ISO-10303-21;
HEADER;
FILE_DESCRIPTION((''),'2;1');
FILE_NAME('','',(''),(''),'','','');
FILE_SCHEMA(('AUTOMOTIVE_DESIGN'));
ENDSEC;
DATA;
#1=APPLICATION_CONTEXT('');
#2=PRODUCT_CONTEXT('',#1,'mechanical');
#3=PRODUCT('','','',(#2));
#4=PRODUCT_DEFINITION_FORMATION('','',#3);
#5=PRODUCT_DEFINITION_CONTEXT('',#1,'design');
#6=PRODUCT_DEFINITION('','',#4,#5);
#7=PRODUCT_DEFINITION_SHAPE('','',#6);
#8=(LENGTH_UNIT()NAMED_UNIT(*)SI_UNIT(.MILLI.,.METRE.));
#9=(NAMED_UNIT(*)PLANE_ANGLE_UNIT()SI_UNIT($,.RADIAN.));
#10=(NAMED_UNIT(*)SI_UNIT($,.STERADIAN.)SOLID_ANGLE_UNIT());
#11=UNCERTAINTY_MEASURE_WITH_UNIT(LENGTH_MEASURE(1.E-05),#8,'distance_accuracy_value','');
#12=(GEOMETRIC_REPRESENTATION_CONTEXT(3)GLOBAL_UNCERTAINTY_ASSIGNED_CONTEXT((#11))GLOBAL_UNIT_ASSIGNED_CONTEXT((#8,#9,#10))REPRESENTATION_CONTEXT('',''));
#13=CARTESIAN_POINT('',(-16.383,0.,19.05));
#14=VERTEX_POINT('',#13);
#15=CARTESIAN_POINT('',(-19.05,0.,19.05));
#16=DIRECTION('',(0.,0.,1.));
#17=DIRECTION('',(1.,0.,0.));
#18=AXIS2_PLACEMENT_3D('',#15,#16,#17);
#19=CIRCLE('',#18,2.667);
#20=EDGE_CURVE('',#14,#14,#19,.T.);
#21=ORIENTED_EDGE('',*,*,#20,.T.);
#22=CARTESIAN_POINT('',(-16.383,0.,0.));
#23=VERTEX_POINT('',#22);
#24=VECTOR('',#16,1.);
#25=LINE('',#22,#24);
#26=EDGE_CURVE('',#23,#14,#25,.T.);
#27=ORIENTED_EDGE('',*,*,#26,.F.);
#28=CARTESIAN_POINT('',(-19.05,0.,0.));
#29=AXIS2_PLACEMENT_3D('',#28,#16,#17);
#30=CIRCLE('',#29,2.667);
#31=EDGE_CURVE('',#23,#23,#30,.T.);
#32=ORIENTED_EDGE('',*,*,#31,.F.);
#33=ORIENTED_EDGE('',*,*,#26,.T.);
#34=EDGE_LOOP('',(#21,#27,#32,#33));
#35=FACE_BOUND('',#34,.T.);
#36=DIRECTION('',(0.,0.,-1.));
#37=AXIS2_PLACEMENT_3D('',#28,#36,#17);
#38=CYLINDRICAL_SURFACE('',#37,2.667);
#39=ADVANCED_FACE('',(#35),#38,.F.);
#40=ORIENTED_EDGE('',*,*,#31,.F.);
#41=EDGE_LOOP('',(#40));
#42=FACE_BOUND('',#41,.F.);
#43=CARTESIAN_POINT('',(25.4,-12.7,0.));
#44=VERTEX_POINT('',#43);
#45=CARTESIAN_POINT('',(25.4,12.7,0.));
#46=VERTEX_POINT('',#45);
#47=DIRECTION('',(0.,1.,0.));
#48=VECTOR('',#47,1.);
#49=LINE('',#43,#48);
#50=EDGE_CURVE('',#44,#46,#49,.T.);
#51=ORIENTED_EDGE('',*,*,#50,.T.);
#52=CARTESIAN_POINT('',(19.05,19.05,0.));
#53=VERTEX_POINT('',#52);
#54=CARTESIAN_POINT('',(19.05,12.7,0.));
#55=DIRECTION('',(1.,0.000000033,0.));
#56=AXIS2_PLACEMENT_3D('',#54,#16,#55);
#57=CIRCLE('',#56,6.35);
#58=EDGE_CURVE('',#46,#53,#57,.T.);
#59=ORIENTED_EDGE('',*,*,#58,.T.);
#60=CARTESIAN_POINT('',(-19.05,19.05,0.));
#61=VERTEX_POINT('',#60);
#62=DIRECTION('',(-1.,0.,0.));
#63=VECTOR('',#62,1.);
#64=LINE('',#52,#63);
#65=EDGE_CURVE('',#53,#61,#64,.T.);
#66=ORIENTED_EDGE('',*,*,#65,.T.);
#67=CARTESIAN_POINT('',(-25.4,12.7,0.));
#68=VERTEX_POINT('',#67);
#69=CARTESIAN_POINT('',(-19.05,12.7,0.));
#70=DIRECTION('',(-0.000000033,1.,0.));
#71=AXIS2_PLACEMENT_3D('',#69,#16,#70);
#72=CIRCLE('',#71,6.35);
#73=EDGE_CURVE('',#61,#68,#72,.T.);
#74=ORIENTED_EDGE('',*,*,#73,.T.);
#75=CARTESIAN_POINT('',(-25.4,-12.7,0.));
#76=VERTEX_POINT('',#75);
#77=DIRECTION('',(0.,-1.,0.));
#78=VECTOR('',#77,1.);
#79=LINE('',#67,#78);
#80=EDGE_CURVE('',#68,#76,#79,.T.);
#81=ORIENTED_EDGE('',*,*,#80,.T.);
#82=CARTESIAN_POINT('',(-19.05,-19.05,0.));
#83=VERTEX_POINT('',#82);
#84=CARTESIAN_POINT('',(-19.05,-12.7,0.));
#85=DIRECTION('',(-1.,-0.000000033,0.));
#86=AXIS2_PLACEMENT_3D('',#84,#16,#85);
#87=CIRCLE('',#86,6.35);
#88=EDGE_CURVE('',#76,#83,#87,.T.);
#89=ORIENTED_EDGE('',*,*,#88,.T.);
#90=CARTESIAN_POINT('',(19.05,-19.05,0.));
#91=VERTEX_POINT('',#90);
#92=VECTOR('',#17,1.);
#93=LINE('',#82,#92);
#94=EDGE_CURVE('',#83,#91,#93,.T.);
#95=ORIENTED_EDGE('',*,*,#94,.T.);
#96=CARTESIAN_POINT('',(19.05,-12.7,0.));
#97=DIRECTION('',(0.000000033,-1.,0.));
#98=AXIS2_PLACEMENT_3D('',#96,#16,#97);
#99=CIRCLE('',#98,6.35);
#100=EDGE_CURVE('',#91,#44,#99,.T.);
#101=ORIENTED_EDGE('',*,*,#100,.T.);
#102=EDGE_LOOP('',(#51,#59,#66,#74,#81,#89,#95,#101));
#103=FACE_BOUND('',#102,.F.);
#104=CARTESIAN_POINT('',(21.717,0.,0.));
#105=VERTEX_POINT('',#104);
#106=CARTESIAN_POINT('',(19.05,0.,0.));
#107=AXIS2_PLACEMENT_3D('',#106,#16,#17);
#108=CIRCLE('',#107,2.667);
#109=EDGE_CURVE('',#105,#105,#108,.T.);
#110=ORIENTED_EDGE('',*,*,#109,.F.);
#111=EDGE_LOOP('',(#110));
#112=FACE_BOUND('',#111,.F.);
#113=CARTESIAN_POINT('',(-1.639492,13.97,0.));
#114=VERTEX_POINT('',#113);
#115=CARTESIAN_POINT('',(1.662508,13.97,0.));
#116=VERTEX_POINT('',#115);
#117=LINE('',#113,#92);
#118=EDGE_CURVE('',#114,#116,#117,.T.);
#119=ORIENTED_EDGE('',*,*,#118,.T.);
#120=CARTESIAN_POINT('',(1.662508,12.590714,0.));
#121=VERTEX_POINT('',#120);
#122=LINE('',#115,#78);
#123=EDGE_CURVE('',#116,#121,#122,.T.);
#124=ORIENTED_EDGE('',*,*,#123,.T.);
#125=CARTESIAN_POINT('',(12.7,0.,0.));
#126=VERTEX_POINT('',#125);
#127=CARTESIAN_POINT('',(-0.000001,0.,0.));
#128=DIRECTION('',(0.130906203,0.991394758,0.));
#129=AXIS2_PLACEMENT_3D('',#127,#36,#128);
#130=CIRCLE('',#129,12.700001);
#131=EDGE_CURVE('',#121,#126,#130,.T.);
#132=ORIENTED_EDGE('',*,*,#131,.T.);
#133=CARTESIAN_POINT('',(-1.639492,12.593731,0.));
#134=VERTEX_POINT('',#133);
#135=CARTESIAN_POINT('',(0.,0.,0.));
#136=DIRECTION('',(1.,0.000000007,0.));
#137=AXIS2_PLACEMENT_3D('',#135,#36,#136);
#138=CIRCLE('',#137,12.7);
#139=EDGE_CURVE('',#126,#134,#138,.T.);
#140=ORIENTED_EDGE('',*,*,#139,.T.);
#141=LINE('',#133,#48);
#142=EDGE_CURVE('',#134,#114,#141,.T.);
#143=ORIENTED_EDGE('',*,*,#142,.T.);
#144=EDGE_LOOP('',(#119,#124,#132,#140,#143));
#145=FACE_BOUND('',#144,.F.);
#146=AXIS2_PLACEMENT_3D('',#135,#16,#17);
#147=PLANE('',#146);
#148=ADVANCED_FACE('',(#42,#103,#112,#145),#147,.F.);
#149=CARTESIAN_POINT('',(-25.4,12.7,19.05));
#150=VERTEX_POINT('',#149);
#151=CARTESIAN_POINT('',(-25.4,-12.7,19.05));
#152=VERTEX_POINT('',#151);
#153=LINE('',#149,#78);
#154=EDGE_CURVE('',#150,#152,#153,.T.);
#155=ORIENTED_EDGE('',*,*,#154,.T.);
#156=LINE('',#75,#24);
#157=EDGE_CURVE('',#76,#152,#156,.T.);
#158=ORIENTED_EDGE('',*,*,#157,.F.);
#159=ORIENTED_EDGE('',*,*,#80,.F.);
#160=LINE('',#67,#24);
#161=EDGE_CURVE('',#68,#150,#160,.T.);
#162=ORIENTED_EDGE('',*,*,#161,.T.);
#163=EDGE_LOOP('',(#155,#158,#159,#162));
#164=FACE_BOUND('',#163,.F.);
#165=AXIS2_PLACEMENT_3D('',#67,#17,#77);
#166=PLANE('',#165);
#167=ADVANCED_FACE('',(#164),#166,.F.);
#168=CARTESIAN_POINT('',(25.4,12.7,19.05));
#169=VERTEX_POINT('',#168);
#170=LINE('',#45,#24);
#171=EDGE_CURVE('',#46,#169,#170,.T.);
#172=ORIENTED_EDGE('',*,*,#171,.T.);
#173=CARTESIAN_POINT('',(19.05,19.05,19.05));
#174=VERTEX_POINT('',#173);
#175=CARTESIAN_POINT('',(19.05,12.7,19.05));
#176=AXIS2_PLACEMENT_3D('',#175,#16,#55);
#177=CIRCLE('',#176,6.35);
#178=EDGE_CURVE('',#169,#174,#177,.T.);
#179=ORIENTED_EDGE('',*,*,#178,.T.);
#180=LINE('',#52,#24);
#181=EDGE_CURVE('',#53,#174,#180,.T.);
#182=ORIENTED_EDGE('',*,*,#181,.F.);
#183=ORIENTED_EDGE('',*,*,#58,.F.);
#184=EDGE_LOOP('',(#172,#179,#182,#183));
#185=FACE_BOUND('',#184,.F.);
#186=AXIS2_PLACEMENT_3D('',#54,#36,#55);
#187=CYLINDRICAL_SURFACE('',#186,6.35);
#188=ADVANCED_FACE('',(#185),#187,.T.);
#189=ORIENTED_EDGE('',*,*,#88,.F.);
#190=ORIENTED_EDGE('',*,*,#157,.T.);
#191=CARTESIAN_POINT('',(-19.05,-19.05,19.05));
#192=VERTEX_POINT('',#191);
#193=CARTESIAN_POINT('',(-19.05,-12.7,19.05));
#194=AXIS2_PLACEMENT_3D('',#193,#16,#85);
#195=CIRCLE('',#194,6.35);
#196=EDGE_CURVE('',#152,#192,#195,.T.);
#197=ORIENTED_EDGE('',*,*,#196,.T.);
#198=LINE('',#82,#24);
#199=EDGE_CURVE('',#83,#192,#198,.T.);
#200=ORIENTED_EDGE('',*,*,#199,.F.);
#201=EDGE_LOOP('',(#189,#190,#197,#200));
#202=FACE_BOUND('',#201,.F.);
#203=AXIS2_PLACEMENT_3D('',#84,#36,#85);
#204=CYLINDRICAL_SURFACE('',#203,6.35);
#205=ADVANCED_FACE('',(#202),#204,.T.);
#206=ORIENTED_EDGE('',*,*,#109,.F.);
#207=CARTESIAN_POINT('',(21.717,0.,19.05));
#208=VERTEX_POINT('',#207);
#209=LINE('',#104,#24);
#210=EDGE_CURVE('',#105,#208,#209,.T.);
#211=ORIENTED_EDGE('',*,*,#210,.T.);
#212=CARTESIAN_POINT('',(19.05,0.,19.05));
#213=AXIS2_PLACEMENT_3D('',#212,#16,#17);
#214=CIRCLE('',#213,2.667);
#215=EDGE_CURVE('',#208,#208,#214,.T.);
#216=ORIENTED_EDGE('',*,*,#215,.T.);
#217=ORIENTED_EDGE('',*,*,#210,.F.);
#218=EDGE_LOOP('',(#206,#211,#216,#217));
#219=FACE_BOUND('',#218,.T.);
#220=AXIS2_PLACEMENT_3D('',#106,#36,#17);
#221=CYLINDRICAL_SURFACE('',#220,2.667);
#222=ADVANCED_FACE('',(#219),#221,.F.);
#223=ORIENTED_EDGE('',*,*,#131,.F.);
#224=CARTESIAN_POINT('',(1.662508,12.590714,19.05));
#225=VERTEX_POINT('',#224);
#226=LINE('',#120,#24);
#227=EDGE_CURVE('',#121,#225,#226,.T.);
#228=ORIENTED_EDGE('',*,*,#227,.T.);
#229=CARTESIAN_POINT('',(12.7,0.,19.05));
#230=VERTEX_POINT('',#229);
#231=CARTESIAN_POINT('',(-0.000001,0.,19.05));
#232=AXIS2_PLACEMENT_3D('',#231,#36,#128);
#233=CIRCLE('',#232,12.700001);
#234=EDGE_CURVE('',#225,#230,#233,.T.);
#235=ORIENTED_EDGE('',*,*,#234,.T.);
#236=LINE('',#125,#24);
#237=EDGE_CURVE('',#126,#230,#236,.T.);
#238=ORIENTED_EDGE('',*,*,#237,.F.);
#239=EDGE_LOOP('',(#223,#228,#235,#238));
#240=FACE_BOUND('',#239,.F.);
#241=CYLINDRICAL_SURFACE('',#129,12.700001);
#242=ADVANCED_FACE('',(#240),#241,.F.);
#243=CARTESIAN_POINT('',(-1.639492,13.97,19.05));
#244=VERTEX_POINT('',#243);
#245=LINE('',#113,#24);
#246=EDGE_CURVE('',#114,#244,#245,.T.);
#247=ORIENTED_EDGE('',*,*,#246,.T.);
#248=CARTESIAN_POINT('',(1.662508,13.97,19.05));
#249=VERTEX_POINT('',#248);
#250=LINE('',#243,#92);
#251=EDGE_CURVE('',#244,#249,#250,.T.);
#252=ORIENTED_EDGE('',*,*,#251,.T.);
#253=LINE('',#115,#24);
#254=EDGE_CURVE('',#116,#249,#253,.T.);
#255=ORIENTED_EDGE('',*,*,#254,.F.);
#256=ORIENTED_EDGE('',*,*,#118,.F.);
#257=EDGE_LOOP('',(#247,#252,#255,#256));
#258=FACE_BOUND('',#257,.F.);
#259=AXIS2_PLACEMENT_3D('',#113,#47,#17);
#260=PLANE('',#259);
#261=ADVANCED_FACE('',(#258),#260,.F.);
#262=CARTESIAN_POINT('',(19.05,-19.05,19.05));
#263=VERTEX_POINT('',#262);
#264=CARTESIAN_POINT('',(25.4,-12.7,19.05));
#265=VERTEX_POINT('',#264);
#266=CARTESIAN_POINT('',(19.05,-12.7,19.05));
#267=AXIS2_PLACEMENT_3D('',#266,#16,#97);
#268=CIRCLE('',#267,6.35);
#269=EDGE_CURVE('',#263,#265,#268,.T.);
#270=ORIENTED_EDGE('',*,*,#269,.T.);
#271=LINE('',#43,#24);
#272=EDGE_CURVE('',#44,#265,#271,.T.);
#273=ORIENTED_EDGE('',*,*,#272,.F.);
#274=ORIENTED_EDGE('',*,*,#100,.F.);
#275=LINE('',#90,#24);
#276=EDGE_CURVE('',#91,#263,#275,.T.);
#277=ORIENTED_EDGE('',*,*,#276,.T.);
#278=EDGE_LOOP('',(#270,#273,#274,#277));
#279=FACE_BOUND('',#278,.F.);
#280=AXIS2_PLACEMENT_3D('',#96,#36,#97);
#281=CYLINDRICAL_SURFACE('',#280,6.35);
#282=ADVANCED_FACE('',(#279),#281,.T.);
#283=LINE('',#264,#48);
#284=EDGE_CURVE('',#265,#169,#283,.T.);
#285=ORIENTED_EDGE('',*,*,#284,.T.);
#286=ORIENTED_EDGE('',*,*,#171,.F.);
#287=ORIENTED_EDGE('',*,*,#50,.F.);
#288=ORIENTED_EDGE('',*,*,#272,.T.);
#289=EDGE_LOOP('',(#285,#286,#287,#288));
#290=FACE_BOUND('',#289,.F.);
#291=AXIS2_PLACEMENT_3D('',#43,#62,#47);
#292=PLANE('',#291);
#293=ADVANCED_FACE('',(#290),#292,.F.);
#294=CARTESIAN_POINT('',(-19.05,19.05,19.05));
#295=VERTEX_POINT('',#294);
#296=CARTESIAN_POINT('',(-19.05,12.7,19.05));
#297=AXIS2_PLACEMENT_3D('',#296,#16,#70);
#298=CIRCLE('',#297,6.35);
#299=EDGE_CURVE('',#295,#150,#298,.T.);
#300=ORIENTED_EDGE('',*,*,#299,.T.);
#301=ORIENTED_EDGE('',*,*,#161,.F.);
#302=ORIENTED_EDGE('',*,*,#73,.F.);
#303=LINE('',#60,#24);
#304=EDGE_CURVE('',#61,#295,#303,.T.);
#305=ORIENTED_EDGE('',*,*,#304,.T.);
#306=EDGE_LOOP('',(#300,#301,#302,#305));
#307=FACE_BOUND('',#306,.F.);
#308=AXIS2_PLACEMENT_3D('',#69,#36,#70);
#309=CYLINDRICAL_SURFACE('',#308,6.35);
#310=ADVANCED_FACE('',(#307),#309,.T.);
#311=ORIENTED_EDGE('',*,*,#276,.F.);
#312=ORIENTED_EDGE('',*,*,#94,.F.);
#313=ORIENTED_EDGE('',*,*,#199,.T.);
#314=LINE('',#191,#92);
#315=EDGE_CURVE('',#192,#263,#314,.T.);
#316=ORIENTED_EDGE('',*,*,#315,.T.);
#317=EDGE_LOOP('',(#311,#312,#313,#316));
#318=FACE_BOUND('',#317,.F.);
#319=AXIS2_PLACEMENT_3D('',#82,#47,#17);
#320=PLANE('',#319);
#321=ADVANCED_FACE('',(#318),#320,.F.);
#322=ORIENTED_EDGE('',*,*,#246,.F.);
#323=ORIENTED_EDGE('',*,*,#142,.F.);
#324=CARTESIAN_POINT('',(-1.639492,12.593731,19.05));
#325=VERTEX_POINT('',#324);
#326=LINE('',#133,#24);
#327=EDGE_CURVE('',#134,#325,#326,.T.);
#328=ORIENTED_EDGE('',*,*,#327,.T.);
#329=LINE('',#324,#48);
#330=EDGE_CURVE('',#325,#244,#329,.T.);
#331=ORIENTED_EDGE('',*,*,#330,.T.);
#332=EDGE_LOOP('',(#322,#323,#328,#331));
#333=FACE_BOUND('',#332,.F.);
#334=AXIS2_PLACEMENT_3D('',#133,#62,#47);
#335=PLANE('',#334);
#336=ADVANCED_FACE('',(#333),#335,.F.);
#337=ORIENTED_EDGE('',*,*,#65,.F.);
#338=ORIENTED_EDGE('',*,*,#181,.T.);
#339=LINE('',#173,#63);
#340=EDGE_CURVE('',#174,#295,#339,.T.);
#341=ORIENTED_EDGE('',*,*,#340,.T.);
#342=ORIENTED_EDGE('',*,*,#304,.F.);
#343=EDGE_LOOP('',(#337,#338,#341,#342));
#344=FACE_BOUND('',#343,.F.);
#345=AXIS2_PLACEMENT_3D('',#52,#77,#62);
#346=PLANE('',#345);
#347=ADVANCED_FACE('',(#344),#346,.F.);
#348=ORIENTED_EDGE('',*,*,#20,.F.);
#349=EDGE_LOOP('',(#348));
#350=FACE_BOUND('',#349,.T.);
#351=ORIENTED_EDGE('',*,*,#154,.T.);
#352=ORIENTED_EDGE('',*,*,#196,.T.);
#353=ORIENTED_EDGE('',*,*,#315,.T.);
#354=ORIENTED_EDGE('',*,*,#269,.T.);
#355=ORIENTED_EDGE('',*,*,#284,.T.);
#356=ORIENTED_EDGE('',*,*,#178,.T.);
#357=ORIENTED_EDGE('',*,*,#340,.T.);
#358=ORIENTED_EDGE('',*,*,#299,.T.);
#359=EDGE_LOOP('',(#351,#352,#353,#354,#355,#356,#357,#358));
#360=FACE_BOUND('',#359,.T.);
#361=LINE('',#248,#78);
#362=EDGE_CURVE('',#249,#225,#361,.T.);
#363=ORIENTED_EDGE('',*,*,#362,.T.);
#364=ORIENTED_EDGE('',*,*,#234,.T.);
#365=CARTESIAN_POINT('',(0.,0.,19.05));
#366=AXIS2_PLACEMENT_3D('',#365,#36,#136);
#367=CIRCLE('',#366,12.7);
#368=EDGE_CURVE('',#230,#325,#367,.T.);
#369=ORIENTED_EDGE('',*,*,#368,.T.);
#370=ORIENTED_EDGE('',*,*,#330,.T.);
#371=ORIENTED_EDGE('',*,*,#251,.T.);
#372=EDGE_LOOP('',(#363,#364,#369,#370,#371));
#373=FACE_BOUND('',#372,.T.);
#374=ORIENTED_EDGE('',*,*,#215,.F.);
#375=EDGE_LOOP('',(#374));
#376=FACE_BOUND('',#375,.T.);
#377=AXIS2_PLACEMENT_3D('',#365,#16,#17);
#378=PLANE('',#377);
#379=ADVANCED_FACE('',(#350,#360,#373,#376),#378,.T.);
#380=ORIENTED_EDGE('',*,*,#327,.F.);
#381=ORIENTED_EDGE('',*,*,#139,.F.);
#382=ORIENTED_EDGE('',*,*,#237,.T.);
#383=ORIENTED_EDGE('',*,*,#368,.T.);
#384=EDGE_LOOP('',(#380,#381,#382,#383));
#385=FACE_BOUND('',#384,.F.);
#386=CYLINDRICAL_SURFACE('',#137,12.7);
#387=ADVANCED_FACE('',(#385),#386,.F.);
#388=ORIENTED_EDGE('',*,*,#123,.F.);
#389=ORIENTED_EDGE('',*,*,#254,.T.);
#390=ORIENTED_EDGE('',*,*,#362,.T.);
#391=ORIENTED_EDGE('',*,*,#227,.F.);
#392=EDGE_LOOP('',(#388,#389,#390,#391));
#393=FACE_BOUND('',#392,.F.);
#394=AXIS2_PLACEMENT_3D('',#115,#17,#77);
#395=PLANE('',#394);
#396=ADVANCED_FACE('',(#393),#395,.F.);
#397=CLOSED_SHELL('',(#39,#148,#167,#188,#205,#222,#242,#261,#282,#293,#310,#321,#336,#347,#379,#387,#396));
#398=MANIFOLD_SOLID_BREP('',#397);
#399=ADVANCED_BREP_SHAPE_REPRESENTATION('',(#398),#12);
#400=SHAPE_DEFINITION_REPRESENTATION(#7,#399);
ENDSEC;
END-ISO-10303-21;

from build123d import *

# Parameters (mm, degrees)
F0_R     = 2.667
F1_DEPTH = 19.05


with BuildPart() as f1:
    # F0 (on Top) → F1 (new body)
    with BuildSketch(Plane.XY):
        with BuildLine():
            ThreePointArc((25.4, 12.7), (23.540128, 17.190128), (19.05, 19.05))
            Line((19.05, 19.05), (-19.05, 19.05))
            ThreePointArc((-19.05, 19.05), (-23.540128, 17.190128), (-25.4, 12.7))
            Line((-25.4, 12.7), (-25.4, -12.7))
            ThreePointArc((-25.4, -12.7), (-23.540128, -17.190128), (-19.05, -19.05))
            Line((-19.05, -19.05), (19.05, -19.05))
            ThreePointArc((19.05, -19.05), (23.540128, -17.190128), (25.4, -12.7))
            Line((25.4, -12.7), (25.4, 12.7))
        make_face()
        with Locations((-19.05, 0)):
            Circle(F0_R, mode=Mode.SUBTRACT)
        with BuildLine():
            ThreePointArc((1.662508, 12.590714), (9.54997, 8.371862), (12.7, 0))
            ThreePointArc((12.7, 0), (-8.380586, -9.542315), (-1.639492, 12.593731))
            Line((-1.639492, 12.593731), (-1.639492, 13.97))
            Line((-1.639492, 13.97), (0.011508, 13.97))
            Line((0.011508, 13.97), (1.662508, 13.97))
            Line((1.662508, 13.97), (1.662508, 12.590714))
        make_face(mode=Mode.SUBTRACT)
        with Locations((19.05, 0)):
            Circle(F0_R, mode=Mode.SUBTRACT)
    extrude(amount=F1_DEPTH)


solid = f1.part
